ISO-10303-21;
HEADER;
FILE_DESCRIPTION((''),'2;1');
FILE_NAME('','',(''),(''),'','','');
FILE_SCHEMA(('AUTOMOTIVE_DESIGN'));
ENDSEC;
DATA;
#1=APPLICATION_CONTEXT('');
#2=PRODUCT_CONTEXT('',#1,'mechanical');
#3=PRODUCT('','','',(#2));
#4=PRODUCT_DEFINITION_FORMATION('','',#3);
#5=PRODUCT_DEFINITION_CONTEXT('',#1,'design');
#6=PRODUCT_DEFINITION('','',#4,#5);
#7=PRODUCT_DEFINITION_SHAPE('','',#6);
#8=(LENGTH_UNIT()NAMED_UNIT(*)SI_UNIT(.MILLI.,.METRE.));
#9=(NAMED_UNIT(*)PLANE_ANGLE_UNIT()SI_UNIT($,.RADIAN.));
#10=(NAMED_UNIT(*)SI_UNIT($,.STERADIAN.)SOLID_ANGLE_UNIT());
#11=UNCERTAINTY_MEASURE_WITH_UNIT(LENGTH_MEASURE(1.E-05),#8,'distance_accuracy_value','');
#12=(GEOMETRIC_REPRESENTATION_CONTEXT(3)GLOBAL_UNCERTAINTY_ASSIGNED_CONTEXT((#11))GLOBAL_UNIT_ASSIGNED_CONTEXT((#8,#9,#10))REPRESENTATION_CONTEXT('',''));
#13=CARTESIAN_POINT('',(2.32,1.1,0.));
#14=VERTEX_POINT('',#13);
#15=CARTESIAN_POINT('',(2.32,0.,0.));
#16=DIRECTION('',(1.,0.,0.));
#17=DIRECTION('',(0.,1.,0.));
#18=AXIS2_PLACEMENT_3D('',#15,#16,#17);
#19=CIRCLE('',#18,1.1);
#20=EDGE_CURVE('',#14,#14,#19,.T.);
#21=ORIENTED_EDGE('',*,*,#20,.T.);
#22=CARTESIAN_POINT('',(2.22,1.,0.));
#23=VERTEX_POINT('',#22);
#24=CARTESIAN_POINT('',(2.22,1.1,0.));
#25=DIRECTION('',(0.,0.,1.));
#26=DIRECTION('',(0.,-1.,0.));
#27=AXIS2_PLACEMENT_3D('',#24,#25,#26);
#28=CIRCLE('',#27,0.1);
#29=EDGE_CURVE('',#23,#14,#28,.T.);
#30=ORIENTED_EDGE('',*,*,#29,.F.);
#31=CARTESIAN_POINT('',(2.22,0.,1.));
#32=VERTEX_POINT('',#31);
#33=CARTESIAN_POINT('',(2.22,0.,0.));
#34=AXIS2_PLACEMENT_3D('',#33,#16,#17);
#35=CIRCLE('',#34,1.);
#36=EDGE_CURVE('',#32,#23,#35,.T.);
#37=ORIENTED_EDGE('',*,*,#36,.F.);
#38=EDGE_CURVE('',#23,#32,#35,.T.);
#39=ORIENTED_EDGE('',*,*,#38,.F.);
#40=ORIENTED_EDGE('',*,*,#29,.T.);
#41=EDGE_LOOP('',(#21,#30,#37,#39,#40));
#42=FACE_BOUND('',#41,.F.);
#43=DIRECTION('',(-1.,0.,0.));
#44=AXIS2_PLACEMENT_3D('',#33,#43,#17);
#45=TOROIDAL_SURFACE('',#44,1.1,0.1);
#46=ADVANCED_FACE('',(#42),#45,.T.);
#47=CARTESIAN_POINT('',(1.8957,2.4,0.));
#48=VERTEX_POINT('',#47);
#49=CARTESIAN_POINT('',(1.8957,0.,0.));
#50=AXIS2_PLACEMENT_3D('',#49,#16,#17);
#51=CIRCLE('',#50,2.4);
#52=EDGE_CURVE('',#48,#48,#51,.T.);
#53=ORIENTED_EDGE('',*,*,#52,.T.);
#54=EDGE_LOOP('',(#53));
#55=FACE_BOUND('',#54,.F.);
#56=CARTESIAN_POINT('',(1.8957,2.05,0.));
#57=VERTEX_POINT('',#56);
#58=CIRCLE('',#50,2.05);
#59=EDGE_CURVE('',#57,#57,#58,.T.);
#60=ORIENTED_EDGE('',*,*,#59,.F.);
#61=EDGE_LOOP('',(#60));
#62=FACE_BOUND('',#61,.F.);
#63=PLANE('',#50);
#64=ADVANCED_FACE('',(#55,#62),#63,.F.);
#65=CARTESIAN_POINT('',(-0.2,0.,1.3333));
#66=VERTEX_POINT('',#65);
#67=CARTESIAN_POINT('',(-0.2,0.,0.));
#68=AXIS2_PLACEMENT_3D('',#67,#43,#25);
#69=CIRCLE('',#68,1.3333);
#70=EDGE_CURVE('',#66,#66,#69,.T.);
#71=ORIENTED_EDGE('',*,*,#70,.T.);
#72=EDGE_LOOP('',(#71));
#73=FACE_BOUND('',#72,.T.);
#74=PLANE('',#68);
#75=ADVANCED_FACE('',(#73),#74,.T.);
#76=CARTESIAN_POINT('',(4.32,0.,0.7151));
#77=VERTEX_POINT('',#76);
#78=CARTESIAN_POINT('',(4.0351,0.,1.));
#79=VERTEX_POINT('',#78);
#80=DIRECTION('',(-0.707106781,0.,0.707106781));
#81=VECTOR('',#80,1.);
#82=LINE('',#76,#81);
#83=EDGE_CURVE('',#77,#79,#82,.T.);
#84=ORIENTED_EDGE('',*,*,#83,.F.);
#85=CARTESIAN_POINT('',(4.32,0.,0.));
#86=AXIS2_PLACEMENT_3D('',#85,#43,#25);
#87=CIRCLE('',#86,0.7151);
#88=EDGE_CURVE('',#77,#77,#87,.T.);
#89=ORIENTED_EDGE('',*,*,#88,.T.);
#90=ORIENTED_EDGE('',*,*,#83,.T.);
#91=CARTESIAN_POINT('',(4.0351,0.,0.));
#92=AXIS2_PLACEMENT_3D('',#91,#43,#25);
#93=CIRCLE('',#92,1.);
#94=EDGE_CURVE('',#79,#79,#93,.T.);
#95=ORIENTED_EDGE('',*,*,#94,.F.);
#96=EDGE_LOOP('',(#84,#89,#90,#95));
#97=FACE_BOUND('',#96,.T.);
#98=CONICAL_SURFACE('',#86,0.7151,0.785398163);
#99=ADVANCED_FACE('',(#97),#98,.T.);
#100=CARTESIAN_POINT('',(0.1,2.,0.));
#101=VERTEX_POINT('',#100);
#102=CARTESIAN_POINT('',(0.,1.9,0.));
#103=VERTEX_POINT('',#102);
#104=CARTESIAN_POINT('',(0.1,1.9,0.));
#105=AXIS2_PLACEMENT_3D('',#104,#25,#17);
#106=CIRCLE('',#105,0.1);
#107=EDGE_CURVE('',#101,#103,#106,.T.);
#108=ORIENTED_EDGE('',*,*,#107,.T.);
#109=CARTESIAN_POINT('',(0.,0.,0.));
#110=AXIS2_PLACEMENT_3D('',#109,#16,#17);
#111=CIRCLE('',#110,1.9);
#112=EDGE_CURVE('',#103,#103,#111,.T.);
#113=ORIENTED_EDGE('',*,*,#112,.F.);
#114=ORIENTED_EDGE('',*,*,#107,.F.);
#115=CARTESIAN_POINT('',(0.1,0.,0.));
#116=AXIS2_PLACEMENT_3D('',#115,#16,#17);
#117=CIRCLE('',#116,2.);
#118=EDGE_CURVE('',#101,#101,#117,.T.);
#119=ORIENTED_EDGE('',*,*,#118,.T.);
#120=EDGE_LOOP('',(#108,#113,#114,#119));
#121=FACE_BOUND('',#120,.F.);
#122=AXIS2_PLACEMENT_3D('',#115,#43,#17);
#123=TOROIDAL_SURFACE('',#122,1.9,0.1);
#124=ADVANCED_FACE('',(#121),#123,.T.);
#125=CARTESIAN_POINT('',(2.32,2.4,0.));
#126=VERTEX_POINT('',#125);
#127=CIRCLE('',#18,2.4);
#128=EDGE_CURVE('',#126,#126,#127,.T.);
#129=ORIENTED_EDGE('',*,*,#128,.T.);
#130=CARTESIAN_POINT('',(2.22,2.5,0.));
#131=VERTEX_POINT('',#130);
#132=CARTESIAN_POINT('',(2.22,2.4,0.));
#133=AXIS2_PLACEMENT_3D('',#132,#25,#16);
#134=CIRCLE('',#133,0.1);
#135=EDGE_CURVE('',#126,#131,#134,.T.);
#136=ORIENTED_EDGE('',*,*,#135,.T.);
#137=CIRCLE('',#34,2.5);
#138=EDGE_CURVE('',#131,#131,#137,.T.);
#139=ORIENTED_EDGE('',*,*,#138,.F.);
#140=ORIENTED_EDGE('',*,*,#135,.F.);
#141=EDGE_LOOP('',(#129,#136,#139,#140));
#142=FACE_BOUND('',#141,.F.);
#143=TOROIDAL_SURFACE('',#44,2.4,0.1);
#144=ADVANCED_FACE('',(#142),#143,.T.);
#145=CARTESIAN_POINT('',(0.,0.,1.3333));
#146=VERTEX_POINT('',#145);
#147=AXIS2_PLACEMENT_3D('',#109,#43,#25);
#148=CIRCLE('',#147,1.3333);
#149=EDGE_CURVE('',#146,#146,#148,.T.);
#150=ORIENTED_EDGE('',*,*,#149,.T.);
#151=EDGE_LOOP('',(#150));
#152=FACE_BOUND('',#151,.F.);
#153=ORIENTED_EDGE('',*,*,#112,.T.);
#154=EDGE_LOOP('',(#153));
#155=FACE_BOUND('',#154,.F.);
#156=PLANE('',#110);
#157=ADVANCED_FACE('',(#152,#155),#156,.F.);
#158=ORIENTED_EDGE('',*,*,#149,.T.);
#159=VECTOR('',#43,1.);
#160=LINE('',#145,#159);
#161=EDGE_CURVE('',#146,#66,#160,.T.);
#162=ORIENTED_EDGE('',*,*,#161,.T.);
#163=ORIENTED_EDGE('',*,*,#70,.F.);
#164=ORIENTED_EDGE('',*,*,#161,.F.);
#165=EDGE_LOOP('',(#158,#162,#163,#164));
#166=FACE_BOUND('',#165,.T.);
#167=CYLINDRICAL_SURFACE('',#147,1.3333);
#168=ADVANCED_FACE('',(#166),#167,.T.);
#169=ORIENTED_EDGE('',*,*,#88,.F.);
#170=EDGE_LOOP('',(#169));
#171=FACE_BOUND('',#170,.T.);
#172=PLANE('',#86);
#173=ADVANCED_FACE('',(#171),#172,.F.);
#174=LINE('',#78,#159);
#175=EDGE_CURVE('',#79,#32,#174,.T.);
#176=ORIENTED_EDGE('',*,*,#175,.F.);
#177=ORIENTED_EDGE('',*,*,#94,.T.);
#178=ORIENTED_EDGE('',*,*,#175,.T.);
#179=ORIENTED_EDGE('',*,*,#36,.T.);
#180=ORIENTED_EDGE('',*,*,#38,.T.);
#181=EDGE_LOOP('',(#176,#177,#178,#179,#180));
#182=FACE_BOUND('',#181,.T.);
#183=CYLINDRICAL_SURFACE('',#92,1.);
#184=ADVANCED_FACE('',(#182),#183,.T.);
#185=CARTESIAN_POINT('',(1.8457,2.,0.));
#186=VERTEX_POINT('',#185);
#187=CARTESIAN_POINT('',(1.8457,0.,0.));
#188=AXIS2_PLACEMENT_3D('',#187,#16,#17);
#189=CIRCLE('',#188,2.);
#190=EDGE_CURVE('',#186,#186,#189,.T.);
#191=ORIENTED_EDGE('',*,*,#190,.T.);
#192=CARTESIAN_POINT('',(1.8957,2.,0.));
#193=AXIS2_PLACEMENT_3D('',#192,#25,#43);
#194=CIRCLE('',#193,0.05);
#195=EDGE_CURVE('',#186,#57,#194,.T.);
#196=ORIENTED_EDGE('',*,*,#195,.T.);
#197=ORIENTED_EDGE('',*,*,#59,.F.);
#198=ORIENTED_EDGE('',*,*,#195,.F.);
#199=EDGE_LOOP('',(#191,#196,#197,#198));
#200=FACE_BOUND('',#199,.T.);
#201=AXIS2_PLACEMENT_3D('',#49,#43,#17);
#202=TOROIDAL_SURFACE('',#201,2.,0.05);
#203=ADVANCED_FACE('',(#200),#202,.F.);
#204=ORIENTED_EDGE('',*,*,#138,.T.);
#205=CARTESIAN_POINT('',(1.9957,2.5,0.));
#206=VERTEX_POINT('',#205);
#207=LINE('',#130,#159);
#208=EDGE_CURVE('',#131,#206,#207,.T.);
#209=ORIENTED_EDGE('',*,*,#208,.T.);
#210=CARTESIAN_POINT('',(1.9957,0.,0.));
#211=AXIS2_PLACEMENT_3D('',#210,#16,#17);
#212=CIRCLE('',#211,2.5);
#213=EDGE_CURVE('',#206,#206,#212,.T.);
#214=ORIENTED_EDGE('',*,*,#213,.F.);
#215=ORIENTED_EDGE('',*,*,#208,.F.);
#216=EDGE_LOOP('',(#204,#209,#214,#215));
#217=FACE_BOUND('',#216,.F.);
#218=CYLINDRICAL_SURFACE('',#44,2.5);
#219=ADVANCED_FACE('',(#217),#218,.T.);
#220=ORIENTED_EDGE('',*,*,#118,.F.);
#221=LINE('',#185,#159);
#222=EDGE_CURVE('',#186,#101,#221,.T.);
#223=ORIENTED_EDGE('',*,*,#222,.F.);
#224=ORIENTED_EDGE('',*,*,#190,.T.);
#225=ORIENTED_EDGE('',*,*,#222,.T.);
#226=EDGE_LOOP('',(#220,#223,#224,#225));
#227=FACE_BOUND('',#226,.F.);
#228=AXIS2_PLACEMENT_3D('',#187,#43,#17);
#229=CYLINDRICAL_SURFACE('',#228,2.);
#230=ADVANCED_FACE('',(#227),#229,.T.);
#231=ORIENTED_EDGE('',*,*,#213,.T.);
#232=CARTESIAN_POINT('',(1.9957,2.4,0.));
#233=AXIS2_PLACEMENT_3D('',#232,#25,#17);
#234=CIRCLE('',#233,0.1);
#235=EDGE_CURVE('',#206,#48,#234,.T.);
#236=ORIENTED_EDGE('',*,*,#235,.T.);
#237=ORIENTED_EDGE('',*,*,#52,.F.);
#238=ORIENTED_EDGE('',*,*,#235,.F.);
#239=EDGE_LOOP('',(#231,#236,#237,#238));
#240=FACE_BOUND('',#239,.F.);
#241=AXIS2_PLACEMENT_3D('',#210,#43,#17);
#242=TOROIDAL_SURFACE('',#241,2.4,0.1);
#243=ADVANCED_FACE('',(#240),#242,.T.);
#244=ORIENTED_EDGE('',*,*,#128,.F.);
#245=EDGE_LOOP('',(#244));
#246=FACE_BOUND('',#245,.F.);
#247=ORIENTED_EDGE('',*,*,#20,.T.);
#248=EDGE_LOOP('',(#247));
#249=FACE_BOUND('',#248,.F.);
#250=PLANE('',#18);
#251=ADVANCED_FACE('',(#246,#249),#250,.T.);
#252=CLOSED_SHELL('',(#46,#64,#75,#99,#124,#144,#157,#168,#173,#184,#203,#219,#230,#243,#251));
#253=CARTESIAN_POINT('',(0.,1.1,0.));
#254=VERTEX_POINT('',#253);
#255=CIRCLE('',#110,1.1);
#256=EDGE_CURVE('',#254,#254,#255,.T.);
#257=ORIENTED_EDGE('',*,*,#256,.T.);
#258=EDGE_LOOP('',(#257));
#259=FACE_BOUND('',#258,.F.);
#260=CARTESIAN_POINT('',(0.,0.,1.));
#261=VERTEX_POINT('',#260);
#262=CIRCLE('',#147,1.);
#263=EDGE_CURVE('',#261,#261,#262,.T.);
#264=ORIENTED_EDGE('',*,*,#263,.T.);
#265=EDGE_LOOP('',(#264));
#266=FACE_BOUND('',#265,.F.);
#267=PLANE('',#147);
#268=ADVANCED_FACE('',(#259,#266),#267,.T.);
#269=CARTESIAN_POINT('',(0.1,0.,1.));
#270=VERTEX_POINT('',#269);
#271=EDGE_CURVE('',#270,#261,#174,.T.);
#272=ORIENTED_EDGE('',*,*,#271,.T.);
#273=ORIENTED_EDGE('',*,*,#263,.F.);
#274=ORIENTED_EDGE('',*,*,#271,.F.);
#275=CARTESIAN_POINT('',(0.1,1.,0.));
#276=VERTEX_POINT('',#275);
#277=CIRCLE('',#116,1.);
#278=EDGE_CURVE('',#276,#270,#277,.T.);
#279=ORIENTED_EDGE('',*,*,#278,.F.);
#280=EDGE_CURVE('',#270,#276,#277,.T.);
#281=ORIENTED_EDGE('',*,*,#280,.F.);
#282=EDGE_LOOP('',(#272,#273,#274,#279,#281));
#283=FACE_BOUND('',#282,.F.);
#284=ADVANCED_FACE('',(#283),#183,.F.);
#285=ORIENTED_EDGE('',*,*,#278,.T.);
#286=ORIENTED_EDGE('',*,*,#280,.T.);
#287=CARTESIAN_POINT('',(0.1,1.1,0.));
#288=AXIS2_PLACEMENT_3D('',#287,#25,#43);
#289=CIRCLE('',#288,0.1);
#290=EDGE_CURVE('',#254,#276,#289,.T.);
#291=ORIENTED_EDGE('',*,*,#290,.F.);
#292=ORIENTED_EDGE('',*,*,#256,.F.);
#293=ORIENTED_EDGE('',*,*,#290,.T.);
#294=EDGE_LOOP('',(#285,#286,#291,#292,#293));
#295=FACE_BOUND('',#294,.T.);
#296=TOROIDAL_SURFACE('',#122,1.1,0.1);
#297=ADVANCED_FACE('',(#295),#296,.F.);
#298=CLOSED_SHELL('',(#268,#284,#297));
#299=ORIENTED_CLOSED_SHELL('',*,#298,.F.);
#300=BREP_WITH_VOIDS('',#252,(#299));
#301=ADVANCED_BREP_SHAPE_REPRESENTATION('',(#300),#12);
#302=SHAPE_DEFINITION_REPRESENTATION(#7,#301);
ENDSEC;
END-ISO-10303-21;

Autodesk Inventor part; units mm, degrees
sketch "Sketch_1" plane through (0, 0, 0) normal (0, 0, 1) x (1, 0, 0)
  line L0 (2.32, 0) -> (0, 0)
  arc A0 (0, 1.1) -> (0.1, 1) centre (0.1, 1.1) ccw
  line L1 (0.1, 1) -> (2.22, 1)
  arc A1 (2.22, 1) -> (2.32, 1.1) centre (2.22, 1.1) ccw
  line L2 (2.32, 1.1) -> (2.32, 2.4)
  arc A2 (2.32, 2.4) -> (2.22, 2.5) centre (2.22, 2.4) ccw
  line L3 (2.22, 2.5) -> (1.9957, 2.5)
  arc A3 (1.9957, 2.5) -> (1.8957, 2.4) centre (1.9957, 2.4) ccw
  line L4 (1.8957, 2.4) -> (1.8957, 2.05)
  arc A4 (1.8457, 2) -> (1.8957, 2.05) centre (1.8957, 2) ccw
  line L5 (1.8457, 2) -> (0.1, 2)
  arc A5 (0.1, 2) -> (0, 1.9) centre (0.1, 1.9) ccw
  line L6 (0, 1.9) -> (0, 1.1)
revolve "Revolution1" add sketch "Sketch_1" angle 360 about axis through (2.32, 0, 0) along (1, 0, 0)
sketch "Sketch_3" plane through (0, 0, 0) normal (0, 1, 0) x (-1, 0, 0)
  line L0 (0.2, 0) -> (-4.32, 0)
  line L1 (-4.32, 0) -> (-4.32, 0.7151)
  line L2 (-4.32, 0.7151) -> (-4.0351, 1)
  line L3 (-4.0351, 1) -> (0, 1)
  line L4 (0, 1) -> (0, 1.3333)
  line L5 (0, 1.3333) -> (0.2, 1.3333)
  line L6 (0.2, 1.3333) -> (0.2, 0)
  line L7 (0.2, 0) -> (-4.32, 0)
revolve "Revolution2" add sketch "Sketch_3" angle 360 about axis through (-0.2, 0, 0) along (-1, 0, 0)
ref_plane "to_block_XY" through (2.32, 0, 0) normal (1, 0, 0) x (0, 0, -1)
ref_plane "to_block_YZ" through (2.32, 0, 0) normal (0, 0, -1) x (0, 1, 0)
ref_plane "to_block_ZX" through (2.32, 0, 0) normal (0, 1, 0) x (1, 0, 0)
properties part number "F682ZZ"
